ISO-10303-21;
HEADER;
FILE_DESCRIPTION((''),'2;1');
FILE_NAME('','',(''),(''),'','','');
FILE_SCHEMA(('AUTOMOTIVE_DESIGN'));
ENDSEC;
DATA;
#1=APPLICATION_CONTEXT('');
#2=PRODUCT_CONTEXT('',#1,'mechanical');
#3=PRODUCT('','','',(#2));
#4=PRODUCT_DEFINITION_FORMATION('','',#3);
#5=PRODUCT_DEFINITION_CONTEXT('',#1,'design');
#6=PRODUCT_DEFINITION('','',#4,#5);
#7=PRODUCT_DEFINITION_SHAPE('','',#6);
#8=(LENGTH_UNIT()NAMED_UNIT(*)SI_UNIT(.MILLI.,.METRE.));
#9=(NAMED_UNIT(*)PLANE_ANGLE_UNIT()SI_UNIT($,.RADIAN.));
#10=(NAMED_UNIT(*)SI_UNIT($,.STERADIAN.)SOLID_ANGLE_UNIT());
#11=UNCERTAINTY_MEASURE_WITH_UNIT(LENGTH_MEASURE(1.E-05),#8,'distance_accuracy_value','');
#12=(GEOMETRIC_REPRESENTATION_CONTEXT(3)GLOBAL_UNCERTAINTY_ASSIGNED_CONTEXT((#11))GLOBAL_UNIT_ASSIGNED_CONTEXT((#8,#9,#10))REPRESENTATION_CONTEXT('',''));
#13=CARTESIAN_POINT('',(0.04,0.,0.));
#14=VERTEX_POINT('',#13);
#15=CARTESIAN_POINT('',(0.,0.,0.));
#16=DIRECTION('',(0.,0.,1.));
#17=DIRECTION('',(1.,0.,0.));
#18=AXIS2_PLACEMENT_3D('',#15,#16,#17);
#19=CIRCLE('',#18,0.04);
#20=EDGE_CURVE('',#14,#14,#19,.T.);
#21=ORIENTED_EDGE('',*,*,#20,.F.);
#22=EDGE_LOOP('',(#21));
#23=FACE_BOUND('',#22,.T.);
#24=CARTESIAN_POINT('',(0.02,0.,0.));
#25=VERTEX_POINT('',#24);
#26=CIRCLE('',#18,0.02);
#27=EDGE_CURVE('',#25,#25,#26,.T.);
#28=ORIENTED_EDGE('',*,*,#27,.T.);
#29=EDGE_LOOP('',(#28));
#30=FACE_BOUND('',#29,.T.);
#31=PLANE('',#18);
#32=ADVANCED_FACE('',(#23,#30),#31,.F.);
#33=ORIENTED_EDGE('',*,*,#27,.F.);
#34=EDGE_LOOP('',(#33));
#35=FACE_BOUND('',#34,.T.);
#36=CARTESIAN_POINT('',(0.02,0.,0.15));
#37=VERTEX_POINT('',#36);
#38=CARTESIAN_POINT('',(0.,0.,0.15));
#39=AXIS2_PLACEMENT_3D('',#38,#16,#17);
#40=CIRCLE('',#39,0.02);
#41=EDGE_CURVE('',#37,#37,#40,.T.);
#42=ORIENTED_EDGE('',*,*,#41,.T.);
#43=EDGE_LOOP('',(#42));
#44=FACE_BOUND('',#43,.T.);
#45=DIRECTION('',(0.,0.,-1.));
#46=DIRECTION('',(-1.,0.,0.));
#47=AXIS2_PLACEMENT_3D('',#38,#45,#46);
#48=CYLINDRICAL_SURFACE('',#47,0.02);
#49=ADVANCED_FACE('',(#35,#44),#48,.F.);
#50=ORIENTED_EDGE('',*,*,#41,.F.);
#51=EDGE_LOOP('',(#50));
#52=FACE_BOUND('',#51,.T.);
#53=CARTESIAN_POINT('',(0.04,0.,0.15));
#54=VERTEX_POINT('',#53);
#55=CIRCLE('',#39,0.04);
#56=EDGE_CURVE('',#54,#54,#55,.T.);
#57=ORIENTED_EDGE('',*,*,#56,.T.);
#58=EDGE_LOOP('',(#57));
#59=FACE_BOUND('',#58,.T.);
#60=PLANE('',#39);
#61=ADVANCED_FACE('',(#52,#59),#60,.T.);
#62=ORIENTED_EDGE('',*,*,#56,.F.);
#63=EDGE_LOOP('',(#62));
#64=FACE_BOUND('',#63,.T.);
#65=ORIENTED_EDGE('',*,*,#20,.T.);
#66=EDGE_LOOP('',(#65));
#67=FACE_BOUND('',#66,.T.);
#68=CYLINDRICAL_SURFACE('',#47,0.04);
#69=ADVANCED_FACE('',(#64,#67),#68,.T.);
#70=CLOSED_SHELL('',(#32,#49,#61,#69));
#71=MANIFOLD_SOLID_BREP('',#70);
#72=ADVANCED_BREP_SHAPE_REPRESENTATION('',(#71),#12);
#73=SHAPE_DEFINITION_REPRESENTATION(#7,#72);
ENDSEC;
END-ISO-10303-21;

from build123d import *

# Parameters (mm, degrees)
SKETCH_1_R      = 0.04
SKETCH_1_R_2    = 0.02
EXTRUDE_1_DEPTH = 0.15


with BuildPart() as part:
    # 草圖1 → 填料-伸長1 (new body)
    with BuildSketch(Plane.XY):
        Circle(SKETCH_1_R)
        Circle(SKETCH_1_R_2, mode=Mode.SUBTRACT)
    extrude(amount=EXTRUDE_1_DEPTH)


solid = part.part
